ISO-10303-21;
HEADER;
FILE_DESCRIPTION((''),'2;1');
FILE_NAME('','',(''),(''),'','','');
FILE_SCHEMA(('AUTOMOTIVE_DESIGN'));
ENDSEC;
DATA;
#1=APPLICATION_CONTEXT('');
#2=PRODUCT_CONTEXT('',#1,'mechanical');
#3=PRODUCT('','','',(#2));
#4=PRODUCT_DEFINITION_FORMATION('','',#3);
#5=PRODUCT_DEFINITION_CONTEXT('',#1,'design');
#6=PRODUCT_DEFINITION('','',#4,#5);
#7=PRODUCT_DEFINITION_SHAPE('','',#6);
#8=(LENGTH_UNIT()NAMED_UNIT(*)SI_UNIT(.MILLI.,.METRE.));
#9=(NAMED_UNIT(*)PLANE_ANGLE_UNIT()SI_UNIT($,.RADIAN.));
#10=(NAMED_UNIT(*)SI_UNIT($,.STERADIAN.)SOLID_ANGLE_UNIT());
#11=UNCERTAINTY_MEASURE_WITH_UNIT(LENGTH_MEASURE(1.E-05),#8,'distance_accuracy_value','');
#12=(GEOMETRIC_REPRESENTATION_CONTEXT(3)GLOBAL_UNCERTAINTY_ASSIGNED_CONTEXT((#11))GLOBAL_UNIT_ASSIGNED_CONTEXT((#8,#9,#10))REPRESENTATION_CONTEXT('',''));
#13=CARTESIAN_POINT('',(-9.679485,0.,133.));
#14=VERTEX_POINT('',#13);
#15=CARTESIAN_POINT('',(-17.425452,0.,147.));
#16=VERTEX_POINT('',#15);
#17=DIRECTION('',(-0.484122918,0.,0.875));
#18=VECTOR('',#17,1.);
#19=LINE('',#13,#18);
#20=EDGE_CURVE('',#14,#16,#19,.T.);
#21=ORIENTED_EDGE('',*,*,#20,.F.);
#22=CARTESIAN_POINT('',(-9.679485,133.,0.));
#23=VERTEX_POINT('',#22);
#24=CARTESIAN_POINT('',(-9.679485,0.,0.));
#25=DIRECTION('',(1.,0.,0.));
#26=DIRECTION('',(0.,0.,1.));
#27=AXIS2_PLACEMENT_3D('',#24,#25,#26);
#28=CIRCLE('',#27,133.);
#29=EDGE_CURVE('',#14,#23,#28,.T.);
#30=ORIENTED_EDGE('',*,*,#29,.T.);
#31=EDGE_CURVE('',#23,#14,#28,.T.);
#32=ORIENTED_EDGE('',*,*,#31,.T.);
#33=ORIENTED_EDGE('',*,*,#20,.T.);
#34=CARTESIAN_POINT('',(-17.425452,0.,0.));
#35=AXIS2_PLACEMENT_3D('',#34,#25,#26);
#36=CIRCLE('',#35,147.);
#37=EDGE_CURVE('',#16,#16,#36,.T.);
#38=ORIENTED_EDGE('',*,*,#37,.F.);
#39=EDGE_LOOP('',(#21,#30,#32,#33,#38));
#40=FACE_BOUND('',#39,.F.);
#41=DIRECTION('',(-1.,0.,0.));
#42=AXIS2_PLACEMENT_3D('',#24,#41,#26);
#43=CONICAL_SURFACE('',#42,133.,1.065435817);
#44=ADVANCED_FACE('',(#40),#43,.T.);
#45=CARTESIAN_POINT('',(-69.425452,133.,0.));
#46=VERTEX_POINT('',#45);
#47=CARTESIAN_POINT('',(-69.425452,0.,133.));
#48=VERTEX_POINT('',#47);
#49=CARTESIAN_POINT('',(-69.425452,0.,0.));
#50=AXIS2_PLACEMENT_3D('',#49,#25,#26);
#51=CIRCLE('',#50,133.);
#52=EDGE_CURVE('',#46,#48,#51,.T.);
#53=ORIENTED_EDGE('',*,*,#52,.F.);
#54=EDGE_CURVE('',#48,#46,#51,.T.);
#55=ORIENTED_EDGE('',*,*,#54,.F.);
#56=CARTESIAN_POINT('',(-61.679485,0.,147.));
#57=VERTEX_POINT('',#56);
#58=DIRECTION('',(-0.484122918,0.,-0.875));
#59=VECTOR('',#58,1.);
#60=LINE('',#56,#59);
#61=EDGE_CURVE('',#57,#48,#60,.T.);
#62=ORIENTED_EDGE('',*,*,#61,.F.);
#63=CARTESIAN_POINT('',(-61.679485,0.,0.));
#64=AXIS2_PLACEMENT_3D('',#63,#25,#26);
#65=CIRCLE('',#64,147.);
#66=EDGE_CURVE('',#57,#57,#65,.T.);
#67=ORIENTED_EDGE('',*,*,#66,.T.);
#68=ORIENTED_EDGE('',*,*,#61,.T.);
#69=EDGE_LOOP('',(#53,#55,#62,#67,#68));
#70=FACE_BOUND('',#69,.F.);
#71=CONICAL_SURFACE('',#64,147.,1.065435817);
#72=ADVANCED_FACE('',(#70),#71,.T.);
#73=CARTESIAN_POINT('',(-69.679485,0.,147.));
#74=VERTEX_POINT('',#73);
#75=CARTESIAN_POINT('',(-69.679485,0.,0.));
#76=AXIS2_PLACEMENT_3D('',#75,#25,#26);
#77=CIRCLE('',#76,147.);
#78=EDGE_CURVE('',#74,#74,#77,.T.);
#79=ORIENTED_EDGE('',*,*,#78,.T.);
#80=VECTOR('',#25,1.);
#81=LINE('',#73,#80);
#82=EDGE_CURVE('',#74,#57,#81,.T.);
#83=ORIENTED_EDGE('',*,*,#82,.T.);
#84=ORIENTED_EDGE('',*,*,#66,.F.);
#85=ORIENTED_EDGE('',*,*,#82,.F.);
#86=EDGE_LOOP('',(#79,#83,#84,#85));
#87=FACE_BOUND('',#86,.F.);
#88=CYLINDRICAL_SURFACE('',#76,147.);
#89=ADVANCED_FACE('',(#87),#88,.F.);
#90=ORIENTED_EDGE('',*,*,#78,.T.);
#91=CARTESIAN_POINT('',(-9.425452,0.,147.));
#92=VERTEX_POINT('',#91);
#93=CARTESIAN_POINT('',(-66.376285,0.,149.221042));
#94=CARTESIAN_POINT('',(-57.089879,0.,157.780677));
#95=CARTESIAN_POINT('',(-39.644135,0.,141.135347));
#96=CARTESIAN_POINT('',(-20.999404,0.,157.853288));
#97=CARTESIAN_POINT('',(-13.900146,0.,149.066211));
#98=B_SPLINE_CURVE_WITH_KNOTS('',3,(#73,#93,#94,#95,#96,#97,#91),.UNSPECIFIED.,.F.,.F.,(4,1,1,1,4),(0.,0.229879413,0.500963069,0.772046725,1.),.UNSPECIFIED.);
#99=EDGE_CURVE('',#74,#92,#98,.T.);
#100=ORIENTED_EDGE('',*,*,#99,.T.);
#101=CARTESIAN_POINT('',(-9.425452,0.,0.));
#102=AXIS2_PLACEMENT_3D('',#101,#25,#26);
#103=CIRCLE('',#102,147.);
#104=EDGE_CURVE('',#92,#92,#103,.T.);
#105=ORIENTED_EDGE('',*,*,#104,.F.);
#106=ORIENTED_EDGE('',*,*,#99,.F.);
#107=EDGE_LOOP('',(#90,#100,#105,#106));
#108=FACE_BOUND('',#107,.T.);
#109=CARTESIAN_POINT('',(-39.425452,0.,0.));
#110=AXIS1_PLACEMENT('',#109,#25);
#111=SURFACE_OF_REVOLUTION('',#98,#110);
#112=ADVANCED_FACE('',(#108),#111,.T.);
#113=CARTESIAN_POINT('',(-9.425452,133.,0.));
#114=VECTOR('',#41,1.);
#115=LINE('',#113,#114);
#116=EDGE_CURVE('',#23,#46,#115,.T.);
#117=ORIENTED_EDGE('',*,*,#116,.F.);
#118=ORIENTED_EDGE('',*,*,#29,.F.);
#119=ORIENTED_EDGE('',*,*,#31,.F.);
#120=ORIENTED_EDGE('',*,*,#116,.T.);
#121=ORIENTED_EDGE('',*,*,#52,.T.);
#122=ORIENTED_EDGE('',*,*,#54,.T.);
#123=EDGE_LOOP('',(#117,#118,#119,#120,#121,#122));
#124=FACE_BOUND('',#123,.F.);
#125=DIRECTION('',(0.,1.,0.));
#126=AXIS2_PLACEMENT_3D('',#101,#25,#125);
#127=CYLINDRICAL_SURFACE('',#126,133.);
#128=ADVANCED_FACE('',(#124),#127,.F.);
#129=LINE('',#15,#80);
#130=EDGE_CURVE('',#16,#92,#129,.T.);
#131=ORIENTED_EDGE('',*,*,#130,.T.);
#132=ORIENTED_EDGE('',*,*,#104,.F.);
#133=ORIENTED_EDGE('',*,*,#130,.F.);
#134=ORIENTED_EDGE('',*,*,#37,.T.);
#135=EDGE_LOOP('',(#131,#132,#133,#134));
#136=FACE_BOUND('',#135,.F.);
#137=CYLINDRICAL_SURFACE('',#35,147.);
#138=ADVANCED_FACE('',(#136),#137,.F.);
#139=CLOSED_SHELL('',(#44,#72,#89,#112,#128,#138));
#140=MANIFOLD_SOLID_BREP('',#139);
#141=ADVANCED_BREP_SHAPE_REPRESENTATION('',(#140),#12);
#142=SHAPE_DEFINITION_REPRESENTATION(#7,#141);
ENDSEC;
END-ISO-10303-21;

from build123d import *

# Parameters (mm, degrees)
F2_R     = 133
F3_DEPTH = 60


with BuildPart() as f1:
    # F0 (on Front) → F1 (revolve)
    with BuildSketch(Plane.XZ):
        with BuildLine():
            Line((-61.6794852866, 147), (-69.425451979, 133))
            Line((-69.425451979, 133), (-9.6794852866, 133))
            Line((-9.6794852866, 133), (-17.425451979, 147))
            Line((-17.425451979, 147), (-9.425451979, 147))
            add(Edge.make_bspline(
                [(-69.6794852866, 147), (-66.3762850947, 149.2210421429), (-57.0898794319, 157.7806772901), (-39.6441348496, 141.135346828), (-20.9994039535, 157.8532882541), (-13.9001461067, 149.0662106059), (-9.425451979, 147)],
                knots=[0, 0, 0, 0, 0.2298794127, 0.500963069, 0.7720467252, 1, 1, 1, 1], degree=3))
            Line((-69.6794852866, 147), (-61.6794852866, 147))
        make_face()
        Polygon((-9.6794852866, 133), (-69.425451979, 133), (-69.425451979, 0), (-9.425451979, 0), (-9.425451979, 133), align=None)
    revolve(axis=Axis((-39.425451979, 0, 0), (1, 0, 0)))

    # F2 (on face) → F3 (cut)
    with BuildSketch(Plane.YZ.offset(-9.425451979)):
        Circle(F2_R)
    extrude(amount=-F3_DEPTH, mode=Mode.SUBTRACT)


solid = f1.part
